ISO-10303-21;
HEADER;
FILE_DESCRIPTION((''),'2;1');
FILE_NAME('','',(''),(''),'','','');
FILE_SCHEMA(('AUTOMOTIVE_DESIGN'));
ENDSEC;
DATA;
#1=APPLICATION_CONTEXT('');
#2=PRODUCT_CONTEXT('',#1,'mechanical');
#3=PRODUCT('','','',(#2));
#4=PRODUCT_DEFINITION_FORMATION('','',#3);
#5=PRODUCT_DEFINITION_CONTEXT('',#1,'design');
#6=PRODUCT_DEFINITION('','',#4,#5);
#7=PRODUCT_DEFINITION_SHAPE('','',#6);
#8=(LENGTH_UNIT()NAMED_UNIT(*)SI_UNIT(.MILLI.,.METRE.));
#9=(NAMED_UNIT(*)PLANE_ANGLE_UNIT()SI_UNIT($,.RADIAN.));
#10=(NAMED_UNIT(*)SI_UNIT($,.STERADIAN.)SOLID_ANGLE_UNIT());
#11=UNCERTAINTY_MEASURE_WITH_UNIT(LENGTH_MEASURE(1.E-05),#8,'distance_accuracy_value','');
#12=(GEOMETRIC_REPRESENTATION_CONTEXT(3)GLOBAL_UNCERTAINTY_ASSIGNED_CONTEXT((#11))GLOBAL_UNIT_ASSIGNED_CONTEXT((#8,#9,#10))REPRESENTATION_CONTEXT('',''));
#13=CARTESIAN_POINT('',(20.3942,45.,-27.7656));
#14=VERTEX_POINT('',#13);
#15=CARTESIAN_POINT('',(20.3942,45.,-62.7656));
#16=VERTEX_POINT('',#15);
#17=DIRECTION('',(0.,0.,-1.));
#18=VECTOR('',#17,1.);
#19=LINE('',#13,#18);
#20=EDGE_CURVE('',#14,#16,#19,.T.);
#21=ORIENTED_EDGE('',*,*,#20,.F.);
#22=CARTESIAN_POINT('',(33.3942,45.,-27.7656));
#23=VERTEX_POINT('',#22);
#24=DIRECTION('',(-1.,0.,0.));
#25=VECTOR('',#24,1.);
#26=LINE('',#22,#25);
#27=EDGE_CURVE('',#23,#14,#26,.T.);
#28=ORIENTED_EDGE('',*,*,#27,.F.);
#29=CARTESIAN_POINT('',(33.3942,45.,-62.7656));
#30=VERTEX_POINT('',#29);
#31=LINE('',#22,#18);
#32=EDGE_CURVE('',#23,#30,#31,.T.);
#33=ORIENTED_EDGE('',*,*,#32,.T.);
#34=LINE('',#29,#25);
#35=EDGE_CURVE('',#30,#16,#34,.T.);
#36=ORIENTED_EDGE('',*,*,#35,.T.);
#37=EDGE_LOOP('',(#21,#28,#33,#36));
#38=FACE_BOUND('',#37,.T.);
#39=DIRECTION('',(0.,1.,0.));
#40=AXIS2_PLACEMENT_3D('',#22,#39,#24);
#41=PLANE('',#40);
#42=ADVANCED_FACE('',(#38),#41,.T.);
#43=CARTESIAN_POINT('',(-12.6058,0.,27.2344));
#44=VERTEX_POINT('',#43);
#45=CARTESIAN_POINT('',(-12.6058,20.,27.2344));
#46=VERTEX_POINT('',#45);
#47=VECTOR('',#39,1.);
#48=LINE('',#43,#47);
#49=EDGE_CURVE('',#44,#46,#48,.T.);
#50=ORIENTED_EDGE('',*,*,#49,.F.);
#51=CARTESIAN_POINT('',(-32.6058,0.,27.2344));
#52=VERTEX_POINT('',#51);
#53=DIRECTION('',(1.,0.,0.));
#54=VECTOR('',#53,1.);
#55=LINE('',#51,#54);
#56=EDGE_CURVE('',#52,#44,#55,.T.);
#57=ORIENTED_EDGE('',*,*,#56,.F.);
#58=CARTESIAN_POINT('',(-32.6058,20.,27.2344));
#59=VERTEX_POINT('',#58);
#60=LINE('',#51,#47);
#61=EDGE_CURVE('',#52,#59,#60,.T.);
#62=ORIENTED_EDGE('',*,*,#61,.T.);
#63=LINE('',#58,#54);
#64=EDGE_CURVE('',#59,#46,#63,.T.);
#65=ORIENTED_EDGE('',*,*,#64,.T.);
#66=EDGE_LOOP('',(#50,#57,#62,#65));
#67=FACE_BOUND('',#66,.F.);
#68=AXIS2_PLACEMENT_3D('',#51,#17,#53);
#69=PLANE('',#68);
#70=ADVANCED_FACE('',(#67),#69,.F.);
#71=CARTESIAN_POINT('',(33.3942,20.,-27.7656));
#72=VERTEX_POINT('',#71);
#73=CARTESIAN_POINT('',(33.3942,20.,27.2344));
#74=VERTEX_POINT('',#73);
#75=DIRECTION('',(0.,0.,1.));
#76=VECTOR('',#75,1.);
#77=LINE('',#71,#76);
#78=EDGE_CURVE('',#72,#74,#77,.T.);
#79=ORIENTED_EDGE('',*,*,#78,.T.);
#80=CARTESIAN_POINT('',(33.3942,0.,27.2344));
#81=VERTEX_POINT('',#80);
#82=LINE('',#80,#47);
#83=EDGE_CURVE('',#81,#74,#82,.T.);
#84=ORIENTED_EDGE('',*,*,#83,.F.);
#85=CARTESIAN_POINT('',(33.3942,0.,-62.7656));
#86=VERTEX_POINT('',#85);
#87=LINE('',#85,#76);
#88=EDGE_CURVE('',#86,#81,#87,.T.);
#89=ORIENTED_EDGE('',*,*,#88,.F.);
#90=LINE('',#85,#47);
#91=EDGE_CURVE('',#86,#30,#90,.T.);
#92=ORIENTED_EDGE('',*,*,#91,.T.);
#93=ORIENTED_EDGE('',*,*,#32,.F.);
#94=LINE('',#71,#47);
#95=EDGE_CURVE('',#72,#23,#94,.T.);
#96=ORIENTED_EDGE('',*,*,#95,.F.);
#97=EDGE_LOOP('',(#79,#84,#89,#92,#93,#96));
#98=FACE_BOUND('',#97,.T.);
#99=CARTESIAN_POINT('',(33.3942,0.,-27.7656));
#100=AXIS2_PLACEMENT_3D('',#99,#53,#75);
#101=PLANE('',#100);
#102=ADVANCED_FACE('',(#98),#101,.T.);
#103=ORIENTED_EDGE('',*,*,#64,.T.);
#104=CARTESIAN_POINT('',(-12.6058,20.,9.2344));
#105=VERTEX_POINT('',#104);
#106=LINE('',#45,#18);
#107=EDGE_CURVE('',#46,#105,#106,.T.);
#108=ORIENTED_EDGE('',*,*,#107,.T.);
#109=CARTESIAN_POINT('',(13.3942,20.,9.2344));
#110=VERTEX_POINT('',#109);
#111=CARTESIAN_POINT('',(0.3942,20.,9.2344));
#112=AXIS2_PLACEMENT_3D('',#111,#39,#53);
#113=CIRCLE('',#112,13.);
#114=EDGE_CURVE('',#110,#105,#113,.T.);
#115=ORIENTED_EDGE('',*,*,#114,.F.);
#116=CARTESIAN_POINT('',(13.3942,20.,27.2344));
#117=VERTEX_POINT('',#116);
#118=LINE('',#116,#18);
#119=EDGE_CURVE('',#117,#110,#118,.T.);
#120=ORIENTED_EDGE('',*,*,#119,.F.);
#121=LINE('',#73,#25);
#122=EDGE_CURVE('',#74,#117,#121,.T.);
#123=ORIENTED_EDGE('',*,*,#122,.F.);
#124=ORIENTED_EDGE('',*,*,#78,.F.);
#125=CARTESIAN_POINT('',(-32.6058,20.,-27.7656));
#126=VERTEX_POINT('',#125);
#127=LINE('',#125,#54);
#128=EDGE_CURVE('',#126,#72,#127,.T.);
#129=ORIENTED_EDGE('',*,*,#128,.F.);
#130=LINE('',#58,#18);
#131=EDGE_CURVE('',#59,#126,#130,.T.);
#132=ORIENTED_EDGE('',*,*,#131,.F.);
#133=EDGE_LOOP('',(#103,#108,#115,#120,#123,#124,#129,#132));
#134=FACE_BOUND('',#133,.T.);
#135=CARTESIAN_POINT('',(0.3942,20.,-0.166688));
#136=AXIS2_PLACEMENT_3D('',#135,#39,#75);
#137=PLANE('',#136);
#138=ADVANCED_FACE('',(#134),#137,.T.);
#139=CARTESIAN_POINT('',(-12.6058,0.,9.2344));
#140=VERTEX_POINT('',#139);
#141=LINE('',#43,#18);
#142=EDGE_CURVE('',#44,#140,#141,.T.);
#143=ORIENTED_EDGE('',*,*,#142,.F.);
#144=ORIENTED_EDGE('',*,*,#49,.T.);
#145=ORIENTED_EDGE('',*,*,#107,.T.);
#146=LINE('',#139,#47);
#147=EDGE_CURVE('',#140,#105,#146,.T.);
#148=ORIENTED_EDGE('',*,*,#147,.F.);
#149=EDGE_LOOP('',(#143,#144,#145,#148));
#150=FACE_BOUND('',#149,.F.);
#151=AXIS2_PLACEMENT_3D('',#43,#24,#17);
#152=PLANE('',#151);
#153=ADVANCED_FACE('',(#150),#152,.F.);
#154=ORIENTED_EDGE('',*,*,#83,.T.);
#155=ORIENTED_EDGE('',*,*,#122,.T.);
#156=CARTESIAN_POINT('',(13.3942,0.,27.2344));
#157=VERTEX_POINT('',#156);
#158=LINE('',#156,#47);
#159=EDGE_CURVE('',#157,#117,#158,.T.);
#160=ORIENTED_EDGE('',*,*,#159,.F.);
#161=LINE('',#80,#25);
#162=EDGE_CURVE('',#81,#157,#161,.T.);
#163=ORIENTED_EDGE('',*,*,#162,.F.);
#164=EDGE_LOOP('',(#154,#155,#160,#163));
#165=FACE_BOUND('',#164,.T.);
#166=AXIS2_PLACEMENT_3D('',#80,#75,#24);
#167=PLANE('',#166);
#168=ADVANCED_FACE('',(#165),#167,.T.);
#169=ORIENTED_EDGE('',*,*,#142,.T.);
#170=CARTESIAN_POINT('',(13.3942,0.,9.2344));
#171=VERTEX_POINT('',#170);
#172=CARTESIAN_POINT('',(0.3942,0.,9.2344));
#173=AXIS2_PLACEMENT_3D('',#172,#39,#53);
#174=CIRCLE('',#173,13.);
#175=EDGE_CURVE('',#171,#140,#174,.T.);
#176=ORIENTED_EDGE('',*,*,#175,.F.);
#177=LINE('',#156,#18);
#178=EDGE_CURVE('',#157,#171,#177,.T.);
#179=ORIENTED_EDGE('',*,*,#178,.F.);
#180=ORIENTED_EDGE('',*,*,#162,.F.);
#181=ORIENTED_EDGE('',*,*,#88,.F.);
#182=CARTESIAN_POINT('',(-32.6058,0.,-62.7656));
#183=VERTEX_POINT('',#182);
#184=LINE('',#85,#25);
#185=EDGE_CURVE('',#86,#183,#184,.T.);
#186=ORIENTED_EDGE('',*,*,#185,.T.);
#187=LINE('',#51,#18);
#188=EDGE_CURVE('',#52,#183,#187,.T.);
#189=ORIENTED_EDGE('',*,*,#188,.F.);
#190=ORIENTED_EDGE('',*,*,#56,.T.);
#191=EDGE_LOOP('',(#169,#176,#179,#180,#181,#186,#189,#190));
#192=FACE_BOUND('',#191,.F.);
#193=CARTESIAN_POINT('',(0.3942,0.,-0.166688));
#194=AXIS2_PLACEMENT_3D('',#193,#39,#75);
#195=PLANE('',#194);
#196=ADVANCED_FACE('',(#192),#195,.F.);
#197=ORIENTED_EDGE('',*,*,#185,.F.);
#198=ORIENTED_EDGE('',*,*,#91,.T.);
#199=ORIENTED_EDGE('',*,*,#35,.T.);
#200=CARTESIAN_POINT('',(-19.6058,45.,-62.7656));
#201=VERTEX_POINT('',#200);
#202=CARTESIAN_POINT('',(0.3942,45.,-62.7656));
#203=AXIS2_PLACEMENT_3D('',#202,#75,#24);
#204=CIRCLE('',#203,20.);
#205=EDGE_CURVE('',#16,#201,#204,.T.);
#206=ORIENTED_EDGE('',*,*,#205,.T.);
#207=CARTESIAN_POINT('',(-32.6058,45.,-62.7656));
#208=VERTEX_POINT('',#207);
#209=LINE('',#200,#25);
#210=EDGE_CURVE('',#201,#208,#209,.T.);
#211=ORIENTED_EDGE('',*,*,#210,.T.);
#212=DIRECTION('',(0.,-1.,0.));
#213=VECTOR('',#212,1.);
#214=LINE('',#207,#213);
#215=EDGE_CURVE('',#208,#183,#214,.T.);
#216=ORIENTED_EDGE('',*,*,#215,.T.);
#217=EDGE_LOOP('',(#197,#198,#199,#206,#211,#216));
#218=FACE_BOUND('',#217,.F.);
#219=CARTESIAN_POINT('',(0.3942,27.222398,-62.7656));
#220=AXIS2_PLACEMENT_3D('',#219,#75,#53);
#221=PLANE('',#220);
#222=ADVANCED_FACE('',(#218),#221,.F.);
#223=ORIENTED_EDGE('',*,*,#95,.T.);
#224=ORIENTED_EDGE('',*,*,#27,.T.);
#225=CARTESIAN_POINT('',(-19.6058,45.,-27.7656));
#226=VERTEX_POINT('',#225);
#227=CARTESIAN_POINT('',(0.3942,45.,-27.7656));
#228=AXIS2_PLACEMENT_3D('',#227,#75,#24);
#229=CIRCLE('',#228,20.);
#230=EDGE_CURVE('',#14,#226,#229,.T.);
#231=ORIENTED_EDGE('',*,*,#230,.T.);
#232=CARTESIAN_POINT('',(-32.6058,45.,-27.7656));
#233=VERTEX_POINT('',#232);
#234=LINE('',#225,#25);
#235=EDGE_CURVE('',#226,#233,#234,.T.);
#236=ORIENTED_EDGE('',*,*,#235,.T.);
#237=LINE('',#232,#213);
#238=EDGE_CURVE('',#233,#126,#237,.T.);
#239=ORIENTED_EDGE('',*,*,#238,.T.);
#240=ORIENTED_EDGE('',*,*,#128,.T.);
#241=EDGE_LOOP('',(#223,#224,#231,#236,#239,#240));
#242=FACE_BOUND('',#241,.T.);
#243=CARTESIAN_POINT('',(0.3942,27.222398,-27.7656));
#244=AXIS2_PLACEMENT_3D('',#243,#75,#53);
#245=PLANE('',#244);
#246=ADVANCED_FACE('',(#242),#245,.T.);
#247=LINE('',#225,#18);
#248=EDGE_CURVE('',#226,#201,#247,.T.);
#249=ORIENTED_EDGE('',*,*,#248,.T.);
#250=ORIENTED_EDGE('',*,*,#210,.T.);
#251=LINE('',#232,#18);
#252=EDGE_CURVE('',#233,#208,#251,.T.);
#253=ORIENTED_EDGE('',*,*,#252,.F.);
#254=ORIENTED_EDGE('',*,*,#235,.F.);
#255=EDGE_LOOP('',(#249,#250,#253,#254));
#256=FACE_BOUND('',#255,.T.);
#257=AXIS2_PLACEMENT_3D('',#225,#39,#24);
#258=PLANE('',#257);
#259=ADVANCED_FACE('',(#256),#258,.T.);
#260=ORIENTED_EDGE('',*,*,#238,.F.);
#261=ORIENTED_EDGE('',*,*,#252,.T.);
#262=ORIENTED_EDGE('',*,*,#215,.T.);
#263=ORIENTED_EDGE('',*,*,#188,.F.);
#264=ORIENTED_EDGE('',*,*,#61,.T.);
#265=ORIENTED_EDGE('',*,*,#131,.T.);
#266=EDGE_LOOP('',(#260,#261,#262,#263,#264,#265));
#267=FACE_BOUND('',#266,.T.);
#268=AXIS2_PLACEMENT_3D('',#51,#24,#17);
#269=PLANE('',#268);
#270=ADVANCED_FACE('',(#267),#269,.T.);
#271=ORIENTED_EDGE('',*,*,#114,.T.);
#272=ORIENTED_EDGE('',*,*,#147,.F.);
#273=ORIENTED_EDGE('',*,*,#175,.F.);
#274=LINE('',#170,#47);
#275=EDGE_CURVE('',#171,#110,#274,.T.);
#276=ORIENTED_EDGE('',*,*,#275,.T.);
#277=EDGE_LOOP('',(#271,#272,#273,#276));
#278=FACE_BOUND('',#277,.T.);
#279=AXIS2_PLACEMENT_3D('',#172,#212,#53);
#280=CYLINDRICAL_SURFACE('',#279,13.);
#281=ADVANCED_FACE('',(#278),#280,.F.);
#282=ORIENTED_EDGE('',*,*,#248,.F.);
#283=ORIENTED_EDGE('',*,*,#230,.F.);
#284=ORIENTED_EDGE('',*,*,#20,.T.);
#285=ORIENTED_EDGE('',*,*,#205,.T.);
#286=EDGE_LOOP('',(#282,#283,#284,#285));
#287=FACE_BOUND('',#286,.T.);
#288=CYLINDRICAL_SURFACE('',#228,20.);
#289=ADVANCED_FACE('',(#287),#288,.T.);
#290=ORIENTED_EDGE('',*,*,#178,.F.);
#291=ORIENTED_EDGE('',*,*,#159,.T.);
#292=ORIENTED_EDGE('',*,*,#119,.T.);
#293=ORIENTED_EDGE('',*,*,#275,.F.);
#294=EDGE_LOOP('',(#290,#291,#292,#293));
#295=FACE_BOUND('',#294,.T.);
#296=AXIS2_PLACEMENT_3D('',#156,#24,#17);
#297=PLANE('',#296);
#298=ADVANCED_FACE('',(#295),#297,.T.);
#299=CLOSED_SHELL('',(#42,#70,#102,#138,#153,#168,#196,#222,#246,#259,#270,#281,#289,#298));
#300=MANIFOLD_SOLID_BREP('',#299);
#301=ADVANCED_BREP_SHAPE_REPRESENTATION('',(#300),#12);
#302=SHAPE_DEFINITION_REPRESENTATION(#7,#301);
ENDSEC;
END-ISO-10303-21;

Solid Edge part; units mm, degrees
sketch "Sketch1" plane through (0, 0, 0) normal (0, -1, 0) x (1, 0, 0)
  line L0 (-12.6058, 27.2344) -> (-12.6058, 9.2344)
  line L1 (13.3942, 27.2344) -> (13.3942, 9.2344)
  line L2 (33.3942, 27.2344) -> (13.3942, 27.2344)
  line L3 (33.3942, -27.7656) -> (33.3942, 27.2344)
  line L4 (-32.6058, -27.7656) -> (33.3942, -27.7656)
  line L5 (-32.6058, 27.2344) -> (-32.6058, -27.7656)
  line L6 (-32.6058, 27.2344) -> (-12.6058, 27.2344)
  arc A0 (13.3942, 9.2344) -> (-12.6058, 9.2344) centre (0.3942, 9.2344) cw
extrude "Protrusion1" add sketch "Sketch1" against normal blind 20
sketch "Sketch2" plane through (0.3942, 10, -27.7656) normal (0, 0, -1) x (-1, 0, 0)
  line L0 (20, 35) -> (33, 35)
  line L1 (33, 35) -> (33, 10)
  line L2 (33, -10) -> (33, 10)
  line L3 (-33, -10) -> (33, -10)
  line L4 (-33, 10) -> (-33, -10)
  line L5 (-33, 10) -> (-33, 35)
  line L6 (-33, 35) -> (-20, 35)
  arc A0 (-20, 35) -> (20, 35) centre (0, 35) cw
extrude "ExtrudedProtrusion_2" add sketch "Sketch2" along normal blind 35
